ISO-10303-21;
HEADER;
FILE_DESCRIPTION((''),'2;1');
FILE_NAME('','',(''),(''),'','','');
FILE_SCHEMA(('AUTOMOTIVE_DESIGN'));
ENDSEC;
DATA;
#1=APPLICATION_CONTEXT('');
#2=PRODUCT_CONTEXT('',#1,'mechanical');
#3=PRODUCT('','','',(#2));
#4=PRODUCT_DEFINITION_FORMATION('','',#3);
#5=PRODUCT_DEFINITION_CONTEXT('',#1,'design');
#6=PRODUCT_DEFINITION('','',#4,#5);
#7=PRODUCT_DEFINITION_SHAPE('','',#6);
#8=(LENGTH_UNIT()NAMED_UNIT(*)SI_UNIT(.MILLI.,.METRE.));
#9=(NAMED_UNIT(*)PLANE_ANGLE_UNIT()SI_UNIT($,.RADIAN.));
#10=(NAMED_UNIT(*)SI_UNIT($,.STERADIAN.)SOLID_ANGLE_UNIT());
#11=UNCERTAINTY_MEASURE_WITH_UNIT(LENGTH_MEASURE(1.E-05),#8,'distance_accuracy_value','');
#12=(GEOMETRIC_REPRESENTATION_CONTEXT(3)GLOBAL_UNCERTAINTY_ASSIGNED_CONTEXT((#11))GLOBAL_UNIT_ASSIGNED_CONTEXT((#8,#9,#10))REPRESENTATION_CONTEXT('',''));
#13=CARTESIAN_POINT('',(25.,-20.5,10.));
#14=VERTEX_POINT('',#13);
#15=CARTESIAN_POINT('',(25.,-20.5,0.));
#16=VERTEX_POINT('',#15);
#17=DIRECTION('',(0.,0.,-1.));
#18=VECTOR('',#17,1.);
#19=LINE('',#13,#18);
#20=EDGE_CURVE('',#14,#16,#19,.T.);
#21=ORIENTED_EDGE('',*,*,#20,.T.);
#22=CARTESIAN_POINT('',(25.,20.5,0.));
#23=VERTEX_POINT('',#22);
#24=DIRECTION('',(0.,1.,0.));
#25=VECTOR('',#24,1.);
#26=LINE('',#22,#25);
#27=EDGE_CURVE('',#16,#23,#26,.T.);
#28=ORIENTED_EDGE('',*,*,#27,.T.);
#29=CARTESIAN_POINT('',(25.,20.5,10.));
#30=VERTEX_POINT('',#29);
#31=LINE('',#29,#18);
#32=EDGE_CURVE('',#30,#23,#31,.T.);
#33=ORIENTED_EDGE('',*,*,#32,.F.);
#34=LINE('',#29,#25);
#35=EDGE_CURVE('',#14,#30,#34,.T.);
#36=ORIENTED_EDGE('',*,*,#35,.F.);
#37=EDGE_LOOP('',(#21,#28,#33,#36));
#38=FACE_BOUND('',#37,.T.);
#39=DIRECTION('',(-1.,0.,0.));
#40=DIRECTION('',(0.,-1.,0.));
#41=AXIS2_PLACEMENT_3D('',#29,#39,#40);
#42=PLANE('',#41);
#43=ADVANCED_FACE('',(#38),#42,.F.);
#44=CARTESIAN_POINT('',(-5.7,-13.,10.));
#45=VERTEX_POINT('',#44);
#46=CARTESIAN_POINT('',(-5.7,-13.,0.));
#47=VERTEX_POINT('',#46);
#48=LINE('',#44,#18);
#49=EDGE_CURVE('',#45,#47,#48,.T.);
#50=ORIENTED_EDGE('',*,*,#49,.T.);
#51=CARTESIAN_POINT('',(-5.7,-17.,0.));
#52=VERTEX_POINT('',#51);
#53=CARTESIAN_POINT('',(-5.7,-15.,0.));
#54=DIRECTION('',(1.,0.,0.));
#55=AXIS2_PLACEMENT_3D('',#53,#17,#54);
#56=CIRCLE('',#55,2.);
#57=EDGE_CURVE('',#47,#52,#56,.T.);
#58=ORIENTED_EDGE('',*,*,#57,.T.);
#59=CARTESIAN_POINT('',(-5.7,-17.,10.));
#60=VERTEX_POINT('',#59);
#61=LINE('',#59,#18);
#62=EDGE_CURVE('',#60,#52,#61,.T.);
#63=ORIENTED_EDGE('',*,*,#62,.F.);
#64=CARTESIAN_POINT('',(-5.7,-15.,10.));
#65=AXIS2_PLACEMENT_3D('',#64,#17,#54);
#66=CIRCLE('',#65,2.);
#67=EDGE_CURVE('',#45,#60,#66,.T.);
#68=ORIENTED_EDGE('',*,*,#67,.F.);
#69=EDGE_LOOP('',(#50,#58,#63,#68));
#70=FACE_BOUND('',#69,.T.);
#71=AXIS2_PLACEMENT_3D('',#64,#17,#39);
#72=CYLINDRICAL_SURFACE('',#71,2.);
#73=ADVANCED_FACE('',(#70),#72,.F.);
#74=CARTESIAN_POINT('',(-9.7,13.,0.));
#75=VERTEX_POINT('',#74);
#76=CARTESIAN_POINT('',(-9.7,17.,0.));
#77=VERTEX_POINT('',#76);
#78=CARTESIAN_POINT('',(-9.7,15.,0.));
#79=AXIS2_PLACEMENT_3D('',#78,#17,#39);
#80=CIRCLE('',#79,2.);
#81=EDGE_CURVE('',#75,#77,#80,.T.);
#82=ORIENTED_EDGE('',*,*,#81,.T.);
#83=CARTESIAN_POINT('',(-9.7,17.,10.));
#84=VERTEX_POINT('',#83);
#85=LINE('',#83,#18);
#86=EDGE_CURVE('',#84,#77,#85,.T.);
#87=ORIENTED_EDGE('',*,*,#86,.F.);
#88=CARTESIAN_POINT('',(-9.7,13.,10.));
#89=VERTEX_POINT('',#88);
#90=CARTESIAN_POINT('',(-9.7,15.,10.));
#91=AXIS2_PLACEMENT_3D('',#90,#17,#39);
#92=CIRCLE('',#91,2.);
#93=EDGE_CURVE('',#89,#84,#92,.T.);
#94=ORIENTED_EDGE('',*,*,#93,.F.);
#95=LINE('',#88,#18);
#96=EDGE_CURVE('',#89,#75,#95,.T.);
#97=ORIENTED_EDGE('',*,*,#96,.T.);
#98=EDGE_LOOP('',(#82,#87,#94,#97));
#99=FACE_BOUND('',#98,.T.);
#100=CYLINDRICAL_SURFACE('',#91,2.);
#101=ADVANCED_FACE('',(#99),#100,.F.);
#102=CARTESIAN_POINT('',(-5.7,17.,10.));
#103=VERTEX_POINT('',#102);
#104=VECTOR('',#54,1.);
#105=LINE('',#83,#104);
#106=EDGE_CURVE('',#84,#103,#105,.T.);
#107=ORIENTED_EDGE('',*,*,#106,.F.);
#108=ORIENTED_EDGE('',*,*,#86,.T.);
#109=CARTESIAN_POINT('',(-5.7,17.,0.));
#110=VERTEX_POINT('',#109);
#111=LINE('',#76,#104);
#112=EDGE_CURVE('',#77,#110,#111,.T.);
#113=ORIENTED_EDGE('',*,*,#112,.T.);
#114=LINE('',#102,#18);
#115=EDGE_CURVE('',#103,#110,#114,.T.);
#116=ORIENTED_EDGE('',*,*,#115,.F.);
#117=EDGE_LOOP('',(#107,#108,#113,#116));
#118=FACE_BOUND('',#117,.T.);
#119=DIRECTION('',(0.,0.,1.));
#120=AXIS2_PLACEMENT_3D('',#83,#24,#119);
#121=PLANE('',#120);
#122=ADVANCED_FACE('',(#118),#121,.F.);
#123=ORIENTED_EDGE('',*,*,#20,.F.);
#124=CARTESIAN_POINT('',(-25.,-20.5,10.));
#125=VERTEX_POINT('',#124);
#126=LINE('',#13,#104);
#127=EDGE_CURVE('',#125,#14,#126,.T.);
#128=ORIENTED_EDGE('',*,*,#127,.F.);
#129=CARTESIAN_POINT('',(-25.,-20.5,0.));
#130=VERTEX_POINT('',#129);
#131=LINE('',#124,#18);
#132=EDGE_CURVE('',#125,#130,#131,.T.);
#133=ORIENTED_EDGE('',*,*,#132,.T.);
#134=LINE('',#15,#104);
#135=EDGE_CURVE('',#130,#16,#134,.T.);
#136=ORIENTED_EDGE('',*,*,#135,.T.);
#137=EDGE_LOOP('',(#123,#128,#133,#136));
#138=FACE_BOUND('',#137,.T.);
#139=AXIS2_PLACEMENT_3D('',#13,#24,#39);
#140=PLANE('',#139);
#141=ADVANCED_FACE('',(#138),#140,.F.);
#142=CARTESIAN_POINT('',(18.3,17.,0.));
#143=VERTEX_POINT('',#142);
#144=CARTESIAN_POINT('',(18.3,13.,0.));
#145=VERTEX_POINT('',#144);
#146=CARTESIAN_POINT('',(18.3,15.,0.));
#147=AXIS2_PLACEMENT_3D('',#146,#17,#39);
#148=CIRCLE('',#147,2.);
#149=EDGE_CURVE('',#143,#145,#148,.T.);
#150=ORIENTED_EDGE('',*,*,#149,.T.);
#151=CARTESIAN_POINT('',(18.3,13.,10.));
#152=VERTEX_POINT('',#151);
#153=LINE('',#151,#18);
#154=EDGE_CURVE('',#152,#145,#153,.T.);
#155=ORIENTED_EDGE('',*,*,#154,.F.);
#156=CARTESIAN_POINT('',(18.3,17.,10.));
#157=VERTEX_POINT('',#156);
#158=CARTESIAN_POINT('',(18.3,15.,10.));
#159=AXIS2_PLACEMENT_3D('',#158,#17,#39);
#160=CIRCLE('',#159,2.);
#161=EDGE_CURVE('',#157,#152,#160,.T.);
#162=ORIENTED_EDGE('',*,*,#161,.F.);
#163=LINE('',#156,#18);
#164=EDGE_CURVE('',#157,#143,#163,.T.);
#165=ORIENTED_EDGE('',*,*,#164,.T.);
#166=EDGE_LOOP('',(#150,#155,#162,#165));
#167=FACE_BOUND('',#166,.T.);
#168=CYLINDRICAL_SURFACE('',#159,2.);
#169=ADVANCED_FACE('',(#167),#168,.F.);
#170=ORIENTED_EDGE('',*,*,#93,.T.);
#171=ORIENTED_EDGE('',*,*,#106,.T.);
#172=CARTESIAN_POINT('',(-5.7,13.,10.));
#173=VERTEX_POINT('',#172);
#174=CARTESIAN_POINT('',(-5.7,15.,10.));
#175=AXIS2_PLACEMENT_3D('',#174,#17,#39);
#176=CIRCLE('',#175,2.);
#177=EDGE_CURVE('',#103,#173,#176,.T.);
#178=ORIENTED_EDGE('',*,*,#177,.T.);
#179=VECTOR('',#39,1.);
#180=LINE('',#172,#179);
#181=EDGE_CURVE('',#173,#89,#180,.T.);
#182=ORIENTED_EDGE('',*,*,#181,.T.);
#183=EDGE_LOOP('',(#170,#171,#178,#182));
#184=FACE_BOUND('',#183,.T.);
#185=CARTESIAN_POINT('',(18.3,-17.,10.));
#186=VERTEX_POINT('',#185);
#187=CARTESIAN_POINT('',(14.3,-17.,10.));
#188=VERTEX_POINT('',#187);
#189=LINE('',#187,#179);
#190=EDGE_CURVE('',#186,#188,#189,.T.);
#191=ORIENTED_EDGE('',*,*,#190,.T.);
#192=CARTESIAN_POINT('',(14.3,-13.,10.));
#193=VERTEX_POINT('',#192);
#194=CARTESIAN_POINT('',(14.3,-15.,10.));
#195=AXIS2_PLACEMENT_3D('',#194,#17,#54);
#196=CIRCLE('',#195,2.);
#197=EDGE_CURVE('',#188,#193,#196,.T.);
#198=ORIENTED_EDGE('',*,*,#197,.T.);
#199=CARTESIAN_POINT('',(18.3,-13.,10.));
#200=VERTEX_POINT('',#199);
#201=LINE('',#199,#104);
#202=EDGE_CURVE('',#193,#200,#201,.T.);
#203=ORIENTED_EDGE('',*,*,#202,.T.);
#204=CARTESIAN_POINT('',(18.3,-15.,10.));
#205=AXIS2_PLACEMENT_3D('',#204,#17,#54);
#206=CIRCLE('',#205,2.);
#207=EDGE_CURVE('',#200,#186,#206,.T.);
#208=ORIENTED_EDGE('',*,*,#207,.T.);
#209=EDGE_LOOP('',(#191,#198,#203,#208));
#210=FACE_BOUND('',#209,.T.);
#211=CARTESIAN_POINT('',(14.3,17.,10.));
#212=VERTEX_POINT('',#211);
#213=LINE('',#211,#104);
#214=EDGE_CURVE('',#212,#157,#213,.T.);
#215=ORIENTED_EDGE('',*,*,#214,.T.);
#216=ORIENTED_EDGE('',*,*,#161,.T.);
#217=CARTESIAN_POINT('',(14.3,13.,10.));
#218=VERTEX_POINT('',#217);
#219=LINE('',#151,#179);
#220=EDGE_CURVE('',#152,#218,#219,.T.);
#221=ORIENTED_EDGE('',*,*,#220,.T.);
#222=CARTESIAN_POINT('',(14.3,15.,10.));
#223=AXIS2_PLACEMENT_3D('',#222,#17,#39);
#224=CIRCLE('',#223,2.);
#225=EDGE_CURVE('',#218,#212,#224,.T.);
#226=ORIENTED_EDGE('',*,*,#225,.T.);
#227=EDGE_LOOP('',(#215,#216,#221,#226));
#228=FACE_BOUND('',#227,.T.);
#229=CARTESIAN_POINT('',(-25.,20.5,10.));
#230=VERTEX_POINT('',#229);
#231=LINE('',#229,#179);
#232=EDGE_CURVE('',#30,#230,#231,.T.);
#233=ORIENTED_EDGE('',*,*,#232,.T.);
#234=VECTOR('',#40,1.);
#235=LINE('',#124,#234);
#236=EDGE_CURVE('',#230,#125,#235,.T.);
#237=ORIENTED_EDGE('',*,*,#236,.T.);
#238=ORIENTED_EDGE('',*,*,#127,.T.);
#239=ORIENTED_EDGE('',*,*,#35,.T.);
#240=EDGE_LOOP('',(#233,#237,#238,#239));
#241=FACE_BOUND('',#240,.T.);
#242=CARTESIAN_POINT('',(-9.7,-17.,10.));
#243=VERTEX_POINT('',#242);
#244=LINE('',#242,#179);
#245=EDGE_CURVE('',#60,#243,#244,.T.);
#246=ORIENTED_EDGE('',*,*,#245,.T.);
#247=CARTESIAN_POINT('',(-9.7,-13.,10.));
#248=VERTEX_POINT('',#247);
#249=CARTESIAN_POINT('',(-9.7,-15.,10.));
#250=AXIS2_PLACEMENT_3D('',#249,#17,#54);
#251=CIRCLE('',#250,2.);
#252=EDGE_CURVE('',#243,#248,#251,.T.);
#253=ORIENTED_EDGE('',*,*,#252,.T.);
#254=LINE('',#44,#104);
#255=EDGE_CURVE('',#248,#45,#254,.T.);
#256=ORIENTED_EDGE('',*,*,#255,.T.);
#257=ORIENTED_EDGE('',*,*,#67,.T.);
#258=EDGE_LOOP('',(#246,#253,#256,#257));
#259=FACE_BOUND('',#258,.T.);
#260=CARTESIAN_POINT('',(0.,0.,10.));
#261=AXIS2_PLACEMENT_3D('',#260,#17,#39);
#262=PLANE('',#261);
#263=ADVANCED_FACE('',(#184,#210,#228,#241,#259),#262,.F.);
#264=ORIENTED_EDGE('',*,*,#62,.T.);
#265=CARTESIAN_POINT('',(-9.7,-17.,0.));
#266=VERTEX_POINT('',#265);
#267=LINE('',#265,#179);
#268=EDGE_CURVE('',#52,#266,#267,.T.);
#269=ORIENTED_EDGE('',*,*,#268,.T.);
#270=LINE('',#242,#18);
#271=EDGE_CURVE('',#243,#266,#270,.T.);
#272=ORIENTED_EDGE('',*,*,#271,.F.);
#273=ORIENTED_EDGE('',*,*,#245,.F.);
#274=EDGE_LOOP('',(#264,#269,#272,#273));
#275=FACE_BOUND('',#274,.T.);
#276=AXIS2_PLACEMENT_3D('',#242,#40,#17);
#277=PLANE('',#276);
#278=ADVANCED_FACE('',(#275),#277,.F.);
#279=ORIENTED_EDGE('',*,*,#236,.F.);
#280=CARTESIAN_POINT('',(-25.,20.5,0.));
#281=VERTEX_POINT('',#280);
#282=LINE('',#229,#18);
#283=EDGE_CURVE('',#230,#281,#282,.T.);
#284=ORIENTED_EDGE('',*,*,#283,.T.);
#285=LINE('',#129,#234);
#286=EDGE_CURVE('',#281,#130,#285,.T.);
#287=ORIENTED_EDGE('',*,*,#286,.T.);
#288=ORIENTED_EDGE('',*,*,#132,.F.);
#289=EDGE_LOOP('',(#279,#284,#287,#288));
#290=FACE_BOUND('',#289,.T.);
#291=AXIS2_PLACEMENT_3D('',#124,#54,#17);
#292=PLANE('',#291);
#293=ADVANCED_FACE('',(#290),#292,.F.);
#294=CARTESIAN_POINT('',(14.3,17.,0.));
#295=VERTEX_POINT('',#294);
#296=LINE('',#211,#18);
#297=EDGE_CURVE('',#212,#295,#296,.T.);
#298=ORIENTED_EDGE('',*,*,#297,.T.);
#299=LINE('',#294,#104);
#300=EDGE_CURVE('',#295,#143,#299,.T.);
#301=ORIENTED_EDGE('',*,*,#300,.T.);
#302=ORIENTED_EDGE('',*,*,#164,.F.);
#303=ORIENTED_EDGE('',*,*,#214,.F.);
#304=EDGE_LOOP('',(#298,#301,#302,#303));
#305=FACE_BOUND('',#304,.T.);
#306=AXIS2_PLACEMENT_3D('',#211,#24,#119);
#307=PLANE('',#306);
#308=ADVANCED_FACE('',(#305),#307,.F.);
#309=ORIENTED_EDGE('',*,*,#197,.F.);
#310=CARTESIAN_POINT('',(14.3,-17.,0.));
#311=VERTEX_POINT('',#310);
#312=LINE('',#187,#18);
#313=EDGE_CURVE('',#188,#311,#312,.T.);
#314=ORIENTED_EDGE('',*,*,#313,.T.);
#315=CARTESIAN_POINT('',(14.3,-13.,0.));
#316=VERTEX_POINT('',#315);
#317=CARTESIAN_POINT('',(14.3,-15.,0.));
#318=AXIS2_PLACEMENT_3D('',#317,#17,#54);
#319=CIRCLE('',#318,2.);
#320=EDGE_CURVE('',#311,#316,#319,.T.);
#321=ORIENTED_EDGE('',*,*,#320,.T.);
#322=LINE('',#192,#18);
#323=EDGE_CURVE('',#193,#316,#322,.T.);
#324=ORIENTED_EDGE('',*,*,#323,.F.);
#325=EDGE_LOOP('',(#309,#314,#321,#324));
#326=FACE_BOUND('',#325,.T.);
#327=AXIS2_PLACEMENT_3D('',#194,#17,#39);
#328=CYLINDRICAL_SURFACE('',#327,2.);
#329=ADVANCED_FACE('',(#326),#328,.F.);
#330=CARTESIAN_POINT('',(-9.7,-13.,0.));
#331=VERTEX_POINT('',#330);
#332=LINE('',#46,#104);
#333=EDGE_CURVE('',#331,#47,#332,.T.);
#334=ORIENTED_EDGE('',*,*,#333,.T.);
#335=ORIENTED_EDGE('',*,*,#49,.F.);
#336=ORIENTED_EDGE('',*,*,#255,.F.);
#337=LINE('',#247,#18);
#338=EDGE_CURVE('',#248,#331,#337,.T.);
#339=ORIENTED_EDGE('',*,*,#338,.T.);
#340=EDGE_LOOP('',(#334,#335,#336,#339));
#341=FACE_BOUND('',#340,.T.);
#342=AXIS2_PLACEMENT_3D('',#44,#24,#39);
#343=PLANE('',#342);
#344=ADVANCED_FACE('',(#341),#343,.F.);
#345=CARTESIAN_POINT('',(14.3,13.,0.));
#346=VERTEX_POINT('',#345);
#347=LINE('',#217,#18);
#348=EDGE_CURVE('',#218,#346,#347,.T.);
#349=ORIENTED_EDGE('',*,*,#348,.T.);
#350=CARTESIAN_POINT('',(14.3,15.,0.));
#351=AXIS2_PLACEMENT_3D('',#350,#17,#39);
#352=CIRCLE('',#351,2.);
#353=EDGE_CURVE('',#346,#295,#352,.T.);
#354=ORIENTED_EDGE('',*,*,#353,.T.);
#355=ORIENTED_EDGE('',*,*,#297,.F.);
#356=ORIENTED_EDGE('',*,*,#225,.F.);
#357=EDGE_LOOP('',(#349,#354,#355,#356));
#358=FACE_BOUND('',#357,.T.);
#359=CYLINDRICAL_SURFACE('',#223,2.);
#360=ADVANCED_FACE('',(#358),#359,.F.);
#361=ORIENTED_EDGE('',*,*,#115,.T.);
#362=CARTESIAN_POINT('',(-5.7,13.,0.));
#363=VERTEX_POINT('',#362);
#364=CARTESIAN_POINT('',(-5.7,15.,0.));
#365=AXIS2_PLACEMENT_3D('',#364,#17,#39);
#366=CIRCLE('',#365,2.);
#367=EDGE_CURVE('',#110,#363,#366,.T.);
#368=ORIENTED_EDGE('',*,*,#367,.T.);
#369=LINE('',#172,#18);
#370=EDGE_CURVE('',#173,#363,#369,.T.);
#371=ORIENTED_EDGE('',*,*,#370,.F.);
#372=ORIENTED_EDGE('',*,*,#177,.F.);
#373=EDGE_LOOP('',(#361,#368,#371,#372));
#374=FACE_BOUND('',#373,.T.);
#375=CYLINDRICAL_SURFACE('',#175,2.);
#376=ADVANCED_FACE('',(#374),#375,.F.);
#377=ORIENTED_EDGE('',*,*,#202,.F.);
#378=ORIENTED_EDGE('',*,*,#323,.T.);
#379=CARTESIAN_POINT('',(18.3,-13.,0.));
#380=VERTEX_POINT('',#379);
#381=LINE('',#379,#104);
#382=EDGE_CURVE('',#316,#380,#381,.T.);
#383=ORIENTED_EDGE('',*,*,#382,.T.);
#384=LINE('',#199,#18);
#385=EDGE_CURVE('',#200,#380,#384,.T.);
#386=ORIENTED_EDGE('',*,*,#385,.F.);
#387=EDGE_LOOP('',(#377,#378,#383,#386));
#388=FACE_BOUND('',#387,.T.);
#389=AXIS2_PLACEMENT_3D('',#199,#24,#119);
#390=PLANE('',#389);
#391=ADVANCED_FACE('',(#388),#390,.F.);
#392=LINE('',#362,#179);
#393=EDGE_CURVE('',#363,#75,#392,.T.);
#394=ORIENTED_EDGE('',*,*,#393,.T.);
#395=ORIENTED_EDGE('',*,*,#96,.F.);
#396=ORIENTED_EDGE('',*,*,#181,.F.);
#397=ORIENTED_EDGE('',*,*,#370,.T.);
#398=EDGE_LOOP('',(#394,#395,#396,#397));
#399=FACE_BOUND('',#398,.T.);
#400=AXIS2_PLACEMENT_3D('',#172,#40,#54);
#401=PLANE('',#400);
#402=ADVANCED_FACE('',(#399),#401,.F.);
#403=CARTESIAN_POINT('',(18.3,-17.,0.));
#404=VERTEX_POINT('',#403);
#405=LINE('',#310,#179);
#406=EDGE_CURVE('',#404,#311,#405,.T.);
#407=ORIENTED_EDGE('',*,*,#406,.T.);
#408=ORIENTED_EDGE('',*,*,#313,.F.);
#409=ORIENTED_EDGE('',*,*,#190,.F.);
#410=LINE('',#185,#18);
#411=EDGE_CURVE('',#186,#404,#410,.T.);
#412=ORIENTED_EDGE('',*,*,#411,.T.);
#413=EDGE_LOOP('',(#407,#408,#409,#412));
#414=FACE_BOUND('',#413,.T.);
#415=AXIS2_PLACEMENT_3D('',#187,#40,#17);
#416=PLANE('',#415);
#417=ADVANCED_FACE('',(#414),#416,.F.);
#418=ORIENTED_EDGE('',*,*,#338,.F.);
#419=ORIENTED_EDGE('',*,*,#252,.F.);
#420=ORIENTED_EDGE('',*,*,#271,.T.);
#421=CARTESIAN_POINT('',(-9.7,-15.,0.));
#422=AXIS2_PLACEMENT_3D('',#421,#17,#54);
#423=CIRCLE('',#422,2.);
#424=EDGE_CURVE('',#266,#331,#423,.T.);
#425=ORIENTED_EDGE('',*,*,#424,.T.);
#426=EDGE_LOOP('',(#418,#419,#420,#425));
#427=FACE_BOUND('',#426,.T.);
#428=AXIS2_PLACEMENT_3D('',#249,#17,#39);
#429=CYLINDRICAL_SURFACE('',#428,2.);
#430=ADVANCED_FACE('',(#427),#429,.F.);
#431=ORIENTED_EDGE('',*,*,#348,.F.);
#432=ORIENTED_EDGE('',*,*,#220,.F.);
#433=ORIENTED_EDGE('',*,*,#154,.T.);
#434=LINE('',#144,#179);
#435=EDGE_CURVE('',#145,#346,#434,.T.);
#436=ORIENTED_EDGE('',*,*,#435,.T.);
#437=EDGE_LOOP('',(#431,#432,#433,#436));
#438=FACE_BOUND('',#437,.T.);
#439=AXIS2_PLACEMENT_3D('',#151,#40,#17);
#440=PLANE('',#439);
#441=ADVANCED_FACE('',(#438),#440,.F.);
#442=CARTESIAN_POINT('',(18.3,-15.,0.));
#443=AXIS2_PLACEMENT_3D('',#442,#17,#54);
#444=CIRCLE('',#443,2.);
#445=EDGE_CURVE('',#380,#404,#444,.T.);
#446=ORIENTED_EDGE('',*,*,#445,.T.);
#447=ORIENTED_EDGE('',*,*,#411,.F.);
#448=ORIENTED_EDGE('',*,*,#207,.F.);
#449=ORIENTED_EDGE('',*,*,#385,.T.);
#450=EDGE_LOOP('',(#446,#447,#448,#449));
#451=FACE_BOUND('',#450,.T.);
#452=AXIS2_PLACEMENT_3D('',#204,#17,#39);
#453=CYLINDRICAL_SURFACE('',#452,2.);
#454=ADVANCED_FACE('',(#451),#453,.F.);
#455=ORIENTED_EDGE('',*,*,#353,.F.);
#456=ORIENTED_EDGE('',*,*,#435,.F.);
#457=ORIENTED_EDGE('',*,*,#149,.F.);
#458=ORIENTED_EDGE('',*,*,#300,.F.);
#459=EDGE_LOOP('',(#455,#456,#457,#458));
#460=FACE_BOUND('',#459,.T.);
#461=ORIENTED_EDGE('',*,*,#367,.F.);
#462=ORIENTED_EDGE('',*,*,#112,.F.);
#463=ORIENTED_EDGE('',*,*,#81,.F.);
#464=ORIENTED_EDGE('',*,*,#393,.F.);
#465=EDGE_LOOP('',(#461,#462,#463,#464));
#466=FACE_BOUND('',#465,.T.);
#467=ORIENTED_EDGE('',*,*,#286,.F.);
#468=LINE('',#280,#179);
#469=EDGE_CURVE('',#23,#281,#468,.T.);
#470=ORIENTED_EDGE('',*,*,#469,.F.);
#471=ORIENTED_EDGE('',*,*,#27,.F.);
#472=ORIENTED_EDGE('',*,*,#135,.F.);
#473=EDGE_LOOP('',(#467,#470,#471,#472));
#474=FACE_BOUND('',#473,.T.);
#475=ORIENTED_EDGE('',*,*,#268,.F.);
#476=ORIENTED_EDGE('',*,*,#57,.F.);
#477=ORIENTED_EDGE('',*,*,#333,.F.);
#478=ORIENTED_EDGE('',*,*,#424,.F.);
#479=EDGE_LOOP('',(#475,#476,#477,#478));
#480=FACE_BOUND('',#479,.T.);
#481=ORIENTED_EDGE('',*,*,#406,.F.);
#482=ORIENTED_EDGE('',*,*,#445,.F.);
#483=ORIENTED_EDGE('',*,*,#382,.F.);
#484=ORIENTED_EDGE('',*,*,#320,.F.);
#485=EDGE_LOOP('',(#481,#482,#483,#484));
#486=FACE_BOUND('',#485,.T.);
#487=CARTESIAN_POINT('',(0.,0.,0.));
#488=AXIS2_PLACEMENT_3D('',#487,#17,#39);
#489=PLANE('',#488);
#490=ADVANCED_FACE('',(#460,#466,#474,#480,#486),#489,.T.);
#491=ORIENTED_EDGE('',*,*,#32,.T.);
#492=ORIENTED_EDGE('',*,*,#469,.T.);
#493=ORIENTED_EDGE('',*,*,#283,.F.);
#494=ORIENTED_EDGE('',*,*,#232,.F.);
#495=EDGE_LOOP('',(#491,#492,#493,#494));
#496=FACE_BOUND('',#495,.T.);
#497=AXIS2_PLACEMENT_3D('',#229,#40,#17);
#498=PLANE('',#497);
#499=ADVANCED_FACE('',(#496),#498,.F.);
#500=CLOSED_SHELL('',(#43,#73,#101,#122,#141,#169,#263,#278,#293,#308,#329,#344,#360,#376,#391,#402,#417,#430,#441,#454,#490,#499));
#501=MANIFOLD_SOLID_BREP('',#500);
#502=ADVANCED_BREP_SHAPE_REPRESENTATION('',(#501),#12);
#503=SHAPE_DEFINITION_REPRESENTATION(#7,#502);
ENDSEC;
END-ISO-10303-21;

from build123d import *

# Parameters (mm, degrees)
SKETCH1_W           = 50
SKETCH1_H           = 41
BOSS_EXTRUDE1_DEPTH = 10
CUT_EXTRUDE1_DEPTH  = 10


with BuildPart() as part:
    # Sketch1 → Boss-Extrude1 (new body)
    with BuildSketch(Plane.XY):
        Rectangle(SKETCH1_W, SKETCH1_H)
    extrude(amount=BOSS_EXTRUDE1_DEPTH)

    # Sketch2 → Cut-Extrude1 (cut)
    with BuildSketch(Plane(origin=(0, 0, 0), x_dir=(-1, 0, 0), z_dir=(0, 0, -1))):
        with BuildLine():
            Line((9.7, -17), (5.7, -17))
            ThreePointArc((5.7, -17), (3.7, -15), (5.7, -13))
            Line((5.7, -13), (9.7, -13))
            ThreePointArc((9.7, -13), (11.7, -15), (9.7, -17))
        make_face()
        with BuildLine():
            Line((-14.3, -17), (-18.3, -17))
            ThreePointArc((-18.3, -17), (-20.3, -15), (-18.3, -13))
            Line((-18.3, -13), (-14.3, -13))
            ThreePointArc((-14.3, -13), (-12.3, -15), (-14.3, -17))
        make_face()
        with BuildLine():
            Line((5.7, 13), (9.7, 13))
            ThreePointArc((9.7, 13), (11.7, 15), (9.7, 17))
            Line((9.7, 17), (5.7, 17))
            ThreePointArc((5.7, 17), (3.7, 15), (5.7, 13))
        make_face()
        with BuildLine():
            Line((-18.3, 13), (-14.3, 13))
            ThreePointArc((-14.3, 13), (-12.3, 15), (-14.3, 17))
            Line((-14.3, 17), (-18.3, 17))
            ThreePointArc((-18.3, 17), (-20.3, 15), (-18.3, 13))
        make_face()
    extrude(amount=-CUT_EXTRUDE1_DEPTH, mode=Mode.SUBTRACT)


solid = part.part
